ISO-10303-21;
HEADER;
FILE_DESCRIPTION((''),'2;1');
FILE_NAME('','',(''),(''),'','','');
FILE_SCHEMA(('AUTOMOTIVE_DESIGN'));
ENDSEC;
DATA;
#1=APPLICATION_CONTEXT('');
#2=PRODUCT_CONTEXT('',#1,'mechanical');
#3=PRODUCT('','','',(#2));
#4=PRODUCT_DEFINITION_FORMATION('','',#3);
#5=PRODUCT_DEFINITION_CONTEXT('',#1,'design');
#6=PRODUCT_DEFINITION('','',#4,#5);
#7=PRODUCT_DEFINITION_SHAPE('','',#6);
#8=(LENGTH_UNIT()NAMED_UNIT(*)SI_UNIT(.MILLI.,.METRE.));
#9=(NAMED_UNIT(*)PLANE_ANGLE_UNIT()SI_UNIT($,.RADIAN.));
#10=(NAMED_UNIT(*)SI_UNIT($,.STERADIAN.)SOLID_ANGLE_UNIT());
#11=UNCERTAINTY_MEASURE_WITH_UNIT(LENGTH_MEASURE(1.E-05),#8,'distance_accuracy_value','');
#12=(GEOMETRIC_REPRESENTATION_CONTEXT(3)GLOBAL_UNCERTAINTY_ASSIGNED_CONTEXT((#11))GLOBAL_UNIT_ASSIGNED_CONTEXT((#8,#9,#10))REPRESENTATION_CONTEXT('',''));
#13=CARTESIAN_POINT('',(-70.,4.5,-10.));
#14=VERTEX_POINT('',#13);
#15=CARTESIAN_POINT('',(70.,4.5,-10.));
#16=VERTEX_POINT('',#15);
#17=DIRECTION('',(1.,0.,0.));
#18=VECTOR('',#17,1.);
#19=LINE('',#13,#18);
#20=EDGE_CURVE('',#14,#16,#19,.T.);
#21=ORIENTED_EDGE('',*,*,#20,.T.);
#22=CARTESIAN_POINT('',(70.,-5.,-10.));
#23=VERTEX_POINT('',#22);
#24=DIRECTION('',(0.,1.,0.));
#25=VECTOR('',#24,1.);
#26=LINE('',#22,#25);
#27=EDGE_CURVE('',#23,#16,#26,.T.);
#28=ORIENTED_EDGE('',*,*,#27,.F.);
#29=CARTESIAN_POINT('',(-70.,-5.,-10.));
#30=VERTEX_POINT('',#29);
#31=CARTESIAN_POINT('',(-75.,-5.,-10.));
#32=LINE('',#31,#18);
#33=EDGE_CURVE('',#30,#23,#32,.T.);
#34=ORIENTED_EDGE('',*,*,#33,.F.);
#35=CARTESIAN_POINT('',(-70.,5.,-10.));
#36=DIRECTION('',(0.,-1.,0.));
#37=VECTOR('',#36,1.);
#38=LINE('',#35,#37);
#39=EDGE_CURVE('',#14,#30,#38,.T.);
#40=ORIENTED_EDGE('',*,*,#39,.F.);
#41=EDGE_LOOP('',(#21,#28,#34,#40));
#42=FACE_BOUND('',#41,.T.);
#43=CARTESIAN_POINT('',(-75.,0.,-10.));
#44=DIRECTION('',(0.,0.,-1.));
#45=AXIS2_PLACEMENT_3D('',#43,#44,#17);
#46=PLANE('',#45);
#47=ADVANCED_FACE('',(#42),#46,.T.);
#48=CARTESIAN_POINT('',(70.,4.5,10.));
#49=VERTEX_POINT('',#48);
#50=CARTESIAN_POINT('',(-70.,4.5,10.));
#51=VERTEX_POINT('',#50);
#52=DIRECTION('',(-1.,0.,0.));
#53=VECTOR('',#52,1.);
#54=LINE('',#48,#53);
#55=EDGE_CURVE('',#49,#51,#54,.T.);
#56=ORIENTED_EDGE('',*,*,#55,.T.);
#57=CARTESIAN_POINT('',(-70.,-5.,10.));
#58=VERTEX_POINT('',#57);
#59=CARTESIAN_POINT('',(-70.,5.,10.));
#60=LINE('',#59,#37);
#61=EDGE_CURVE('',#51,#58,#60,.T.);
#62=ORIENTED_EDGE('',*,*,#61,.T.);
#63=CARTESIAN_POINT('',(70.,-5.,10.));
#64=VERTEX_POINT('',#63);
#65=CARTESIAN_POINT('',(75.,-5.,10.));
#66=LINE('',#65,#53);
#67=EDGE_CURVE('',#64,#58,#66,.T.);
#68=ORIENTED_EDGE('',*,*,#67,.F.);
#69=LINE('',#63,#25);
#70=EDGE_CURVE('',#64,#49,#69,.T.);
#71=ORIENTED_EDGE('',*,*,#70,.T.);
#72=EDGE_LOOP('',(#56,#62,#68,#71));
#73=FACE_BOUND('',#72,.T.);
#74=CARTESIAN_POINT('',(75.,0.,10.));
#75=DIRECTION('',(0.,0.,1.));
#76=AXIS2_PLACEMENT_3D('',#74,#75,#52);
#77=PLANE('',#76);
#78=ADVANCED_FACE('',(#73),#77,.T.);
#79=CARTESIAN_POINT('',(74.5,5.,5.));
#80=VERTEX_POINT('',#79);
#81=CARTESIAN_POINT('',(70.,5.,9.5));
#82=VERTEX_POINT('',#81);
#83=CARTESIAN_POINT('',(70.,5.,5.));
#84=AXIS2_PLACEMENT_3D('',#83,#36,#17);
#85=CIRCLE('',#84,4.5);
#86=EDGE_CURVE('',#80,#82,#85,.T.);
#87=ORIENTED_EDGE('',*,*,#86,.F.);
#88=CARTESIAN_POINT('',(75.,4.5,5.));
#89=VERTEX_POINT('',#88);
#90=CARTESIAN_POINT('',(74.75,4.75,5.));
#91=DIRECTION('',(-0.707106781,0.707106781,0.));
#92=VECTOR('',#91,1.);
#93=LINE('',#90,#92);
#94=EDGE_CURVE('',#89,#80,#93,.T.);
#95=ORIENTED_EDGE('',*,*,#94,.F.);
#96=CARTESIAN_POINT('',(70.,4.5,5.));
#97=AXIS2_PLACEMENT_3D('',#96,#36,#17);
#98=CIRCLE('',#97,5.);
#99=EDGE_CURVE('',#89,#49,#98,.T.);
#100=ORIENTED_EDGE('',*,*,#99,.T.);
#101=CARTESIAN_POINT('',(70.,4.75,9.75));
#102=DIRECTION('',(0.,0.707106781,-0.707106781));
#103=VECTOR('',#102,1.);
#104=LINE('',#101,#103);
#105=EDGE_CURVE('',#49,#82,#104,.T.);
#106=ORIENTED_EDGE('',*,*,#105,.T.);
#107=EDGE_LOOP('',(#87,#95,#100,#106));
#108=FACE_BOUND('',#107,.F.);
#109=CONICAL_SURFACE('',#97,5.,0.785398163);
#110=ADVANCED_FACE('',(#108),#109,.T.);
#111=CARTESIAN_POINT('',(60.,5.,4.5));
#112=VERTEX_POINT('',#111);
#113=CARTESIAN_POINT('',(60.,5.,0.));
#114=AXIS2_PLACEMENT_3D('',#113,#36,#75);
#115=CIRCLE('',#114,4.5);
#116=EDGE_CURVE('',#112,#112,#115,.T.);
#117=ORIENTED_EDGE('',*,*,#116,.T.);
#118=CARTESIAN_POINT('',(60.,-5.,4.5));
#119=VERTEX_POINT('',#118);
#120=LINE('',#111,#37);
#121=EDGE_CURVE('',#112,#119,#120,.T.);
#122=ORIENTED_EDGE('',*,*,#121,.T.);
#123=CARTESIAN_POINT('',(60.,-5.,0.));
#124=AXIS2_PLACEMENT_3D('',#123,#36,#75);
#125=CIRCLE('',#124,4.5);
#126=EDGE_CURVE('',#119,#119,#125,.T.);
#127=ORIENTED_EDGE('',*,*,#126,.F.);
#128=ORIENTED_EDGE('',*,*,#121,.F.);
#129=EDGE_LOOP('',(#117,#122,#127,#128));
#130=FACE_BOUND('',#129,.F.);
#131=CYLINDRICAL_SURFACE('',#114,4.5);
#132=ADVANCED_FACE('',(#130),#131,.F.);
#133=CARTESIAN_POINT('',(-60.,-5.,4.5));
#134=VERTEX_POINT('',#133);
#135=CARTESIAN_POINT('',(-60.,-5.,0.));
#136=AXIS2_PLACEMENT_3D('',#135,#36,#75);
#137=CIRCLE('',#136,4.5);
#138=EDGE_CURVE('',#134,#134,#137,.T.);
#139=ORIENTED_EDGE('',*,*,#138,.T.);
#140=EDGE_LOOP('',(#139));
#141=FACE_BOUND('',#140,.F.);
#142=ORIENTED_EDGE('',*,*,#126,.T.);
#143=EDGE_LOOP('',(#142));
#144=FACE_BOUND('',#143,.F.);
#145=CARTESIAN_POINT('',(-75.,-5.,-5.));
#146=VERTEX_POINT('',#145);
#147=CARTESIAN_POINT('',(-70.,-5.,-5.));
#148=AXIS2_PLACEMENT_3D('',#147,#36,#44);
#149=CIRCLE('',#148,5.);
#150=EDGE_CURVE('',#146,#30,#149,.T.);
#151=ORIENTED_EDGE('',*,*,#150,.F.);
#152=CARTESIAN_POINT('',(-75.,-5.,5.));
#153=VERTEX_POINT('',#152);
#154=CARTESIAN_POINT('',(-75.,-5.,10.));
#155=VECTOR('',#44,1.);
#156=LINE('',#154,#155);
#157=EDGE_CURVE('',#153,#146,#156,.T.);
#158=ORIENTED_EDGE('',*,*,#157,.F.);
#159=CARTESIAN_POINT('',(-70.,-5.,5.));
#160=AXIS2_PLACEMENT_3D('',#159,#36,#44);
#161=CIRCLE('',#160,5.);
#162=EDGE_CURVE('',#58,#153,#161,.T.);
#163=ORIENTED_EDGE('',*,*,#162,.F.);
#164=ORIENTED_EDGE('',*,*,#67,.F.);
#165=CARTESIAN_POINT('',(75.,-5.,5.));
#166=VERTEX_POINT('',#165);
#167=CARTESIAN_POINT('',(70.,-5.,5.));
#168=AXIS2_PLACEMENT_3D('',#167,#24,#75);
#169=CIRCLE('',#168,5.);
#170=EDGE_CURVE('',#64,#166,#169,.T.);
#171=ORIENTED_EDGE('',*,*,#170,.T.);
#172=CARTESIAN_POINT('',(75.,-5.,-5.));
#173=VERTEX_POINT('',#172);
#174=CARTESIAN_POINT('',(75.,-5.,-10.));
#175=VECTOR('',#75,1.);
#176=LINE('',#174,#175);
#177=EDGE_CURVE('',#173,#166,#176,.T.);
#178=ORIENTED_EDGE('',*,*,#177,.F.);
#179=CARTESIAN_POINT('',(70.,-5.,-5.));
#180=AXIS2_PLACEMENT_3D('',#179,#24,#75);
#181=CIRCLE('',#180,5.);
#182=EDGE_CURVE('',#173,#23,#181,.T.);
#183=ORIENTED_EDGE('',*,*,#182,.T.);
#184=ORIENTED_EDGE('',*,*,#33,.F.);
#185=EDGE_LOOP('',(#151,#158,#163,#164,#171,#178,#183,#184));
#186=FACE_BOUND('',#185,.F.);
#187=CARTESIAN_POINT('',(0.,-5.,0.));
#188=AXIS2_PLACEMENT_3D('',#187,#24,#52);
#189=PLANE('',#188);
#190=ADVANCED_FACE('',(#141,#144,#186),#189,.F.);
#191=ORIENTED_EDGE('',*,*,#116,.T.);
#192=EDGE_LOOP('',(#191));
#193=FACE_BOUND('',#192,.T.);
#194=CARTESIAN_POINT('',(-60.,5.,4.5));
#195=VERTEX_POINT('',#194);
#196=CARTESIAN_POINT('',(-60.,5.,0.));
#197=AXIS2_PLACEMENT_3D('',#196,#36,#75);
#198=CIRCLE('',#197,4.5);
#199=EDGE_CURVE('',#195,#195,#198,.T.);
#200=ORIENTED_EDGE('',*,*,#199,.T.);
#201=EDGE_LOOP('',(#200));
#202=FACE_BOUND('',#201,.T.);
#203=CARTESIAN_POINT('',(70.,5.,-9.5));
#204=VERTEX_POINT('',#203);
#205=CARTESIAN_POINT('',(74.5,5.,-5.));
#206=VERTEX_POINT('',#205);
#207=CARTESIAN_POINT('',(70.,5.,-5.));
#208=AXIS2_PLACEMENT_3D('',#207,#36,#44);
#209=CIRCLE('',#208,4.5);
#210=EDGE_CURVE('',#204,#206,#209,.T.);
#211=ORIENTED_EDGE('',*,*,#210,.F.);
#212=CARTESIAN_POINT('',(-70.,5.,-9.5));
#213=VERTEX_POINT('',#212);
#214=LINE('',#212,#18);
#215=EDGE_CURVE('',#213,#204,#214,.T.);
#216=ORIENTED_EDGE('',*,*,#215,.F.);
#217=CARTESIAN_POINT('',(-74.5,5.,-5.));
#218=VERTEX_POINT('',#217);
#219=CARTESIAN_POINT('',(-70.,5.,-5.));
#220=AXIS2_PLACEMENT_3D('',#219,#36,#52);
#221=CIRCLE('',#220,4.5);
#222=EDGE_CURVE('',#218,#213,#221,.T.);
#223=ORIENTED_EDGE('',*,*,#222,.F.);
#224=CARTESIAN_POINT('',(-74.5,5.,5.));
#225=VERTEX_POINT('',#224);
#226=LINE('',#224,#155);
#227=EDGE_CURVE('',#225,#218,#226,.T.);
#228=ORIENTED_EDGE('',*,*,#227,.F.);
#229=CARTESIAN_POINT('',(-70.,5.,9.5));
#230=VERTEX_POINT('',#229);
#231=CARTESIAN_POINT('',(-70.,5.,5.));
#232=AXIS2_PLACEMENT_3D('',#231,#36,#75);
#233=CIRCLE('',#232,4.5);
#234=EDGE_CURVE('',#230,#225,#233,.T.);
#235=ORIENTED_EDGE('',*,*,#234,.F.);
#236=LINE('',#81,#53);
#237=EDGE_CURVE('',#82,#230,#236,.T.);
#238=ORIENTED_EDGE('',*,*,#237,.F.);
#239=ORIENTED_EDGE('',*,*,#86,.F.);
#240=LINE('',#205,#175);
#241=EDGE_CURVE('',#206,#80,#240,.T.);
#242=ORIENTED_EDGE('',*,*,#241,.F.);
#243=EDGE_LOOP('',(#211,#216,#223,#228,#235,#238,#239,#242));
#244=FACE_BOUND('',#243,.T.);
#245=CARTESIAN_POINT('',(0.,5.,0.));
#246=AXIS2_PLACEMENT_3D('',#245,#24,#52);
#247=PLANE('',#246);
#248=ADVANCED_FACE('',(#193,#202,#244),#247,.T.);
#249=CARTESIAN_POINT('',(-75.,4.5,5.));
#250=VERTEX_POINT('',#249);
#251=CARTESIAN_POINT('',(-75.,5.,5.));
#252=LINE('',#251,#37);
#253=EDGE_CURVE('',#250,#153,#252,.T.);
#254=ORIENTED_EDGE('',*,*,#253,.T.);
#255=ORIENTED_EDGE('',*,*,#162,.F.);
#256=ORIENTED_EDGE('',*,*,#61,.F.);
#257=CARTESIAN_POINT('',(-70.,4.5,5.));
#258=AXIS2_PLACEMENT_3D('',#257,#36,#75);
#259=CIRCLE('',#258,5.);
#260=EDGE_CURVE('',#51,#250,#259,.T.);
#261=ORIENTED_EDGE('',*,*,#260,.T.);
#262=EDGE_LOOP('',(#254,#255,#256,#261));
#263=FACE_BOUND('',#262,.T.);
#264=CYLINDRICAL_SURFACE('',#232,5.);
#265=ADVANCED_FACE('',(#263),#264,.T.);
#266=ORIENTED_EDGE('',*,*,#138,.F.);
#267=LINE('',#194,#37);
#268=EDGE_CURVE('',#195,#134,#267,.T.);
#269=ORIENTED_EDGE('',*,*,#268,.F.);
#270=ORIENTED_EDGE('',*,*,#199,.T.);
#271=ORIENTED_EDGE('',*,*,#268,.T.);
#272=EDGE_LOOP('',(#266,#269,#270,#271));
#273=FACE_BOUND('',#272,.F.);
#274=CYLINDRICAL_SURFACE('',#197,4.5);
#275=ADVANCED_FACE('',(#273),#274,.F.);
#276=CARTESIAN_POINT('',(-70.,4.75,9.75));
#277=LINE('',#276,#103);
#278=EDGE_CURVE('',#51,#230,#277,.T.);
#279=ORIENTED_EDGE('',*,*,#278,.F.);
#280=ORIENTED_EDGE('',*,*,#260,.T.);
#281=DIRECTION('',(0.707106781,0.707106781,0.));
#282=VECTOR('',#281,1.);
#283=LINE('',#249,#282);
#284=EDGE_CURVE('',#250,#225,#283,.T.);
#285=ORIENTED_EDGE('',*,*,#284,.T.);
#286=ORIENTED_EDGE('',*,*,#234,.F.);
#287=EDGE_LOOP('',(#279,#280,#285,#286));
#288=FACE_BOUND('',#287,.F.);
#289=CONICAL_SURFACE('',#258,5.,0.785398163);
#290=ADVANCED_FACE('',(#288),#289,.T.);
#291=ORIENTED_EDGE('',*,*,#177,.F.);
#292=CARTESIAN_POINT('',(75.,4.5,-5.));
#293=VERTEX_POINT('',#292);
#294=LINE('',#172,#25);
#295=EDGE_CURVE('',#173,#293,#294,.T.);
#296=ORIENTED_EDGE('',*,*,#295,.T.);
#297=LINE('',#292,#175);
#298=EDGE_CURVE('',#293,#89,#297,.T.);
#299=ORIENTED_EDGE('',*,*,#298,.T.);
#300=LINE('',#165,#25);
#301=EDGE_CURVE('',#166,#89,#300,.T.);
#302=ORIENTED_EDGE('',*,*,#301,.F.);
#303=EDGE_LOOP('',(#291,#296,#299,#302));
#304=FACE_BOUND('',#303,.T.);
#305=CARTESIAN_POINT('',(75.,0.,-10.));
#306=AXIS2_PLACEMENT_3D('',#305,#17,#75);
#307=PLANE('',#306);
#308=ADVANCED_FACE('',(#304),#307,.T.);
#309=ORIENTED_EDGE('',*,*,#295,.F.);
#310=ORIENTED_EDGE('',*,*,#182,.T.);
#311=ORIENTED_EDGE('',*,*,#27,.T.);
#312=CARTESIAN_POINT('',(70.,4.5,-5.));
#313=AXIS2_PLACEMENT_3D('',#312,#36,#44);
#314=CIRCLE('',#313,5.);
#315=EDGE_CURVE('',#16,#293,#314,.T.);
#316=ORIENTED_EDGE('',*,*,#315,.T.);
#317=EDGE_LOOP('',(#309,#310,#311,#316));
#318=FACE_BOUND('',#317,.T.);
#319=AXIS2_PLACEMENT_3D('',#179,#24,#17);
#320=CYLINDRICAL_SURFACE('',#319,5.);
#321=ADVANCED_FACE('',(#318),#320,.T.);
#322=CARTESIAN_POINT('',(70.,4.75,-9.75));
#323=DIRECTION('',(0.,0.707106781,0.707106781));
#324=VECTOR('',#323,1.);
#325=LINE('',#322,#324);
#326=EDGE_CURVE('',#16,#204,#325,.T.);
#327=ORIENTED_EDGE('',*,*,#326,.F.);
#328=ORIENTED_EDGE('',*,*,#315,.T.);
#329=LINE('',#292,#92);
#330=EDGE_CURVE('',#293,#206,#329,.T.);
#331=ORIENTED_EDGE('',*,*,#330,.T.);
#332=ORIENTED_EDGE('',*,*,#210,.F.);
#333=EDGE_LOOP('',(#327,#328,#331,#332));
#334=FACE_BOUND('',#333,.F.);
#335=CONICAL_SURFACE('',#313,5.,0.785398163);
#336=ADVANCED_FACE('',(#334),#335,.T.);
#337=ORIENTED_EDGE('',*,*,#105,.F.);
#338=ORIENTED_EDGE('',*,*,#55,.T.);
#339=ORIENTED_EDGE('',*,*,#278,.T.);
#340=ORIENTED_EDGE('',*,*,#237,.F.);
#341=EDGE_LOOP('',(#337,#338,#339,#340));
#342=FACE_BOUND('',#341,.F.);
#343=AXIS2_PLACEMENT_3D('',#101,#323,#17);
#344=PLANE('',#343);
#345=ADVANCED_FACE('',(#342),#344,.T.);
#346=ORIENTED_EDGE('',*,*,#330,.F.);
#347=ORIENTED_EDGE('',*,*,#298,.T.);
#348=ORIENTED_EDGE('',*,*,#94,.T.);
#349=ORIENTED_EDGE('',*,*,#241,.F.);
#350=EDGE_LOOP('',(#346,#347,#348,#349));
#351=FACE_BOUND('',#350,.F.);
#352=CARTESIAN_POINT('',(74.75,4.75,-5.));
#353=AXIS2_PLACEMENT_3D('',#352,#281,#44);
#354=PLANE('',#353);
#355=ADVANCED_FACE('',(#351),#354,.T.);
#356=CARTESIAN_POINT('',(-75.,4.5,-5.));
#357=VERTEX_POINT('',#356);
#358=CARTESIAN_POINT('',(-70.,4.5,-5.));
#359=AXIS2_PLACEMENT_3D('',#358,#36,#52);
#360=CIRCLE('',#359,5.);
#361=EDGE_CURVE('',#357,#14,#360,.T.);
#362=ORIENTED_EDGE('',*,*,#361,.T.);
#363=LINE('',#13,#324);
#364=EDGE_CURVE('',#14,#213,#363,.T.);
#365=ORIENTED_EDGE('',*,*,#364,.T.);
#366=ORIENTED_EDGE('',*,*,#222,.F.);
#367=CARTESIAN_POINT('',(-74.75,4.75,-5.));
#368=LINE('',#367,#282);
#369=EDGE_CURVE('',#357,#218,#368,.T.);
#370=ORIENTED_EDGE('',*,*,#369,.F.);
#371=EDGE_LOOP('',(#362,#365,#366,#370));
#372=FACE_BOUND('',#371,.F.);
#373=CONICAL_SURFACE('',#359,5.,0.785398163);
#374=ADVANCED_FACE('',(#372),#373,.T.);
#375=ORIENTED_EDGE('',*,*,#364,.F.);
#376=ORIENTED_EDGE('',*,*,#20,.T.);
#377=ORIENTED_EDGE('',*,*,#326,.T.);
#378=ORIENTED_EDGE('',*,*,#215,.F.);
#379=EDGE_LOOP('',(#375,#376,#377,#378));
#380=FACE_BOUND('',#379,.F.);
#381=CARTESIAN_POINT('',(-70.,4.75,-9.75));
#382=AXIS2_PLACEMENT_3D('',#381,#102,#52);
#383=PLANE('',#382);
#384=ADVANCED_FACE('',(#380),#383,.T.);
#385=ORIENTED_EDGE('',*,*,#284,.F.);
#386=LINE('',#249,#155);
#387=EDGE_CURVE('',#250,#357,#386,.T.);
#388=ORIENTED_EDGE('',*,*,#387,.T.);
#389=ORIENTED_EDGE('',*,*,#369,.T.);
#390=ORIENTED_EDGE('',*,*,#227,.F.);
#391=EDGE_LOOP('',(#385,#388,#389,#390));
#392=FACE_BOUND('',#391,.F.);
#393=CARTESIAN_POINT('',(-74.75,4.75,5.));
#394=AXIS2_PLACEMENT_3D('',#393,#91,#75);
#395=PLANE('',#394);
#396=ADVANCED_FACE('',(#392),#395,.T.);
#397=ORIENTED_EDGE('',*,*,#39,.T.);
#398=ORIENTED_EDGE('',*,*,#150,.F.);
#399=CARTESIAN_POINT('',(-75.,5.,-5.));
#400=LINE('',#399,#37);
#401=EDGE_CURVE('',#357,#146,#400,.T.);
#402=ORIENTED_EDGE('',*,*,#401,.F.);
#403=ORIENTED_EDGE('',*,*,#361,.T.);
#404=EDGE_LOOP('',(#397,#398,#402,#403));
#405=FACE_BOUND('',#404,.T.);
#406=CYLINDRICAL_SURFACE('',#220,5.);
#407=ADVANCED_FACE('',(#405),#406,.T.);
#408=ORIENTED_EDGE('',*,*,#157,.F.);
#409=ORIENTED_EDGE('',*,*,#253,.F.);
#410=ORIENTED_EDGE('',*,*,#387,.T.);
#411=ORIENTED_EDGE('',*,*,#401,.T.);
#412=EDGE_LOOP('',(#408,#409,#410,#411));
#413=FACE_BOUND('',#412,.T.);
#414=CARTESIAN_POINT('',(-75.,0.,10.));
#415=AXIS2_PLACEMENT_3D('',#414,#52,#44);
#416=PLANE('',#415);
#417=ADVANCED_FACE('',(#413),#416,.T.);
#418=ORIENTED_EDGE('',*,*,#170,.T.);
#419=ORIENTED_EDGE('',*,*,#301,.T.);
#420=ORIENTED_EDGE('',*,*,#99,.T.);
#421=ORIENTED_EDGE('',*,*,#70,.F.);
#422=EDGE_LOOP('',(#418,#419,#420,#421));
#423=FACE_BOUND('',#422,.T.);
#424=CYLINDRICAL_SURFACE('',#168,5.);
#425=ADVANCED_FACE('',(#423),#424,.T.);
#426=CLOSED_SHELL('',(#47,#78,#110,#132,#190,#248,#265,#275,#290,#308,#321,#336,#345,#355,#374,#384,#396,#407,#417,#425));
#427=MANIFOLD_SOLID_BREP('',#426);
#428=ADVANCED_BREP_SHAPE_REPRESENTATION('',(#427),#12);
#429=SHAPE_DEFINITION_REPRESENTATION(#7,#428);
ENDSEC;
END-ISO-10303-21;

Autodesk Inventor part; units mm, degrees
ref_plane "YZ Plane" through (0, 0, 0) normal (1, 0, 0) x (0, 1, 0)
ref_plane "XZ Plane" through (0, 0, 0) normal (0, 1, 0) x (-1, 0, 0)
ref_plane "XY Plane" through (0, 0, 0) normal (0, 0, 1) x (1, 0, 0)
sketch "Sketch1" plane through (0, 0, 0) normal (0, 1, 0) x (-1, 0, 0)
  line L0 (-75, 10) -> (75, 10)
  line L1 (75, 10) -> (75, -10)
  line L2 (75, -10) -> (-75, -10)
  line L3 (-75, -10) -> (-75, 10)
  line L4 (-75, 10) -> (75, -10) construction
  line L5 (75, 10) -> (-75, -10) construction
  point P0 (0, 0)
  dimension "Length" = 150
  dimension "Width" = 20
extrude "Extrusion1" add sketch "Sketch1" along normal mid plane 10
sketch "Sketch4" plane through (0, 5, 0) normal (0, 1, 0) x (1, 0, 0)
  point P0 (0, 0)
  point P1 (-60, 0)
  point P2 (60, 0)
  dimension "d16" = 120
  dimension "d17" = 60
hole "Hole2" at (-60, 5, 0) at (60, 5, 0) direction (0, -1, 0) diameter 9 end through all
fillet "Fillet1" radius 5 4 edges at (75, 0, 10) (75, 0, -10) (-75, 0, 10) (-75, 0, -10)
chamfer "Chamfer2" distance 0.5 angle 45 8 edges at (0, 5, 10) (73.5355, 5, 8.5355) (75, 5, 0) (73.5355, 5, -8.5355) (0, 5, -10) (-73.5355, 5, -8.5355) (-75, 5, 0) (-73.5355, 5, 8.5355)
equation "\"d17\" = 0.5 * d16"
properties part number "Lower Arm Brass Plate - 3" material "Brass, Soft Yellow"
